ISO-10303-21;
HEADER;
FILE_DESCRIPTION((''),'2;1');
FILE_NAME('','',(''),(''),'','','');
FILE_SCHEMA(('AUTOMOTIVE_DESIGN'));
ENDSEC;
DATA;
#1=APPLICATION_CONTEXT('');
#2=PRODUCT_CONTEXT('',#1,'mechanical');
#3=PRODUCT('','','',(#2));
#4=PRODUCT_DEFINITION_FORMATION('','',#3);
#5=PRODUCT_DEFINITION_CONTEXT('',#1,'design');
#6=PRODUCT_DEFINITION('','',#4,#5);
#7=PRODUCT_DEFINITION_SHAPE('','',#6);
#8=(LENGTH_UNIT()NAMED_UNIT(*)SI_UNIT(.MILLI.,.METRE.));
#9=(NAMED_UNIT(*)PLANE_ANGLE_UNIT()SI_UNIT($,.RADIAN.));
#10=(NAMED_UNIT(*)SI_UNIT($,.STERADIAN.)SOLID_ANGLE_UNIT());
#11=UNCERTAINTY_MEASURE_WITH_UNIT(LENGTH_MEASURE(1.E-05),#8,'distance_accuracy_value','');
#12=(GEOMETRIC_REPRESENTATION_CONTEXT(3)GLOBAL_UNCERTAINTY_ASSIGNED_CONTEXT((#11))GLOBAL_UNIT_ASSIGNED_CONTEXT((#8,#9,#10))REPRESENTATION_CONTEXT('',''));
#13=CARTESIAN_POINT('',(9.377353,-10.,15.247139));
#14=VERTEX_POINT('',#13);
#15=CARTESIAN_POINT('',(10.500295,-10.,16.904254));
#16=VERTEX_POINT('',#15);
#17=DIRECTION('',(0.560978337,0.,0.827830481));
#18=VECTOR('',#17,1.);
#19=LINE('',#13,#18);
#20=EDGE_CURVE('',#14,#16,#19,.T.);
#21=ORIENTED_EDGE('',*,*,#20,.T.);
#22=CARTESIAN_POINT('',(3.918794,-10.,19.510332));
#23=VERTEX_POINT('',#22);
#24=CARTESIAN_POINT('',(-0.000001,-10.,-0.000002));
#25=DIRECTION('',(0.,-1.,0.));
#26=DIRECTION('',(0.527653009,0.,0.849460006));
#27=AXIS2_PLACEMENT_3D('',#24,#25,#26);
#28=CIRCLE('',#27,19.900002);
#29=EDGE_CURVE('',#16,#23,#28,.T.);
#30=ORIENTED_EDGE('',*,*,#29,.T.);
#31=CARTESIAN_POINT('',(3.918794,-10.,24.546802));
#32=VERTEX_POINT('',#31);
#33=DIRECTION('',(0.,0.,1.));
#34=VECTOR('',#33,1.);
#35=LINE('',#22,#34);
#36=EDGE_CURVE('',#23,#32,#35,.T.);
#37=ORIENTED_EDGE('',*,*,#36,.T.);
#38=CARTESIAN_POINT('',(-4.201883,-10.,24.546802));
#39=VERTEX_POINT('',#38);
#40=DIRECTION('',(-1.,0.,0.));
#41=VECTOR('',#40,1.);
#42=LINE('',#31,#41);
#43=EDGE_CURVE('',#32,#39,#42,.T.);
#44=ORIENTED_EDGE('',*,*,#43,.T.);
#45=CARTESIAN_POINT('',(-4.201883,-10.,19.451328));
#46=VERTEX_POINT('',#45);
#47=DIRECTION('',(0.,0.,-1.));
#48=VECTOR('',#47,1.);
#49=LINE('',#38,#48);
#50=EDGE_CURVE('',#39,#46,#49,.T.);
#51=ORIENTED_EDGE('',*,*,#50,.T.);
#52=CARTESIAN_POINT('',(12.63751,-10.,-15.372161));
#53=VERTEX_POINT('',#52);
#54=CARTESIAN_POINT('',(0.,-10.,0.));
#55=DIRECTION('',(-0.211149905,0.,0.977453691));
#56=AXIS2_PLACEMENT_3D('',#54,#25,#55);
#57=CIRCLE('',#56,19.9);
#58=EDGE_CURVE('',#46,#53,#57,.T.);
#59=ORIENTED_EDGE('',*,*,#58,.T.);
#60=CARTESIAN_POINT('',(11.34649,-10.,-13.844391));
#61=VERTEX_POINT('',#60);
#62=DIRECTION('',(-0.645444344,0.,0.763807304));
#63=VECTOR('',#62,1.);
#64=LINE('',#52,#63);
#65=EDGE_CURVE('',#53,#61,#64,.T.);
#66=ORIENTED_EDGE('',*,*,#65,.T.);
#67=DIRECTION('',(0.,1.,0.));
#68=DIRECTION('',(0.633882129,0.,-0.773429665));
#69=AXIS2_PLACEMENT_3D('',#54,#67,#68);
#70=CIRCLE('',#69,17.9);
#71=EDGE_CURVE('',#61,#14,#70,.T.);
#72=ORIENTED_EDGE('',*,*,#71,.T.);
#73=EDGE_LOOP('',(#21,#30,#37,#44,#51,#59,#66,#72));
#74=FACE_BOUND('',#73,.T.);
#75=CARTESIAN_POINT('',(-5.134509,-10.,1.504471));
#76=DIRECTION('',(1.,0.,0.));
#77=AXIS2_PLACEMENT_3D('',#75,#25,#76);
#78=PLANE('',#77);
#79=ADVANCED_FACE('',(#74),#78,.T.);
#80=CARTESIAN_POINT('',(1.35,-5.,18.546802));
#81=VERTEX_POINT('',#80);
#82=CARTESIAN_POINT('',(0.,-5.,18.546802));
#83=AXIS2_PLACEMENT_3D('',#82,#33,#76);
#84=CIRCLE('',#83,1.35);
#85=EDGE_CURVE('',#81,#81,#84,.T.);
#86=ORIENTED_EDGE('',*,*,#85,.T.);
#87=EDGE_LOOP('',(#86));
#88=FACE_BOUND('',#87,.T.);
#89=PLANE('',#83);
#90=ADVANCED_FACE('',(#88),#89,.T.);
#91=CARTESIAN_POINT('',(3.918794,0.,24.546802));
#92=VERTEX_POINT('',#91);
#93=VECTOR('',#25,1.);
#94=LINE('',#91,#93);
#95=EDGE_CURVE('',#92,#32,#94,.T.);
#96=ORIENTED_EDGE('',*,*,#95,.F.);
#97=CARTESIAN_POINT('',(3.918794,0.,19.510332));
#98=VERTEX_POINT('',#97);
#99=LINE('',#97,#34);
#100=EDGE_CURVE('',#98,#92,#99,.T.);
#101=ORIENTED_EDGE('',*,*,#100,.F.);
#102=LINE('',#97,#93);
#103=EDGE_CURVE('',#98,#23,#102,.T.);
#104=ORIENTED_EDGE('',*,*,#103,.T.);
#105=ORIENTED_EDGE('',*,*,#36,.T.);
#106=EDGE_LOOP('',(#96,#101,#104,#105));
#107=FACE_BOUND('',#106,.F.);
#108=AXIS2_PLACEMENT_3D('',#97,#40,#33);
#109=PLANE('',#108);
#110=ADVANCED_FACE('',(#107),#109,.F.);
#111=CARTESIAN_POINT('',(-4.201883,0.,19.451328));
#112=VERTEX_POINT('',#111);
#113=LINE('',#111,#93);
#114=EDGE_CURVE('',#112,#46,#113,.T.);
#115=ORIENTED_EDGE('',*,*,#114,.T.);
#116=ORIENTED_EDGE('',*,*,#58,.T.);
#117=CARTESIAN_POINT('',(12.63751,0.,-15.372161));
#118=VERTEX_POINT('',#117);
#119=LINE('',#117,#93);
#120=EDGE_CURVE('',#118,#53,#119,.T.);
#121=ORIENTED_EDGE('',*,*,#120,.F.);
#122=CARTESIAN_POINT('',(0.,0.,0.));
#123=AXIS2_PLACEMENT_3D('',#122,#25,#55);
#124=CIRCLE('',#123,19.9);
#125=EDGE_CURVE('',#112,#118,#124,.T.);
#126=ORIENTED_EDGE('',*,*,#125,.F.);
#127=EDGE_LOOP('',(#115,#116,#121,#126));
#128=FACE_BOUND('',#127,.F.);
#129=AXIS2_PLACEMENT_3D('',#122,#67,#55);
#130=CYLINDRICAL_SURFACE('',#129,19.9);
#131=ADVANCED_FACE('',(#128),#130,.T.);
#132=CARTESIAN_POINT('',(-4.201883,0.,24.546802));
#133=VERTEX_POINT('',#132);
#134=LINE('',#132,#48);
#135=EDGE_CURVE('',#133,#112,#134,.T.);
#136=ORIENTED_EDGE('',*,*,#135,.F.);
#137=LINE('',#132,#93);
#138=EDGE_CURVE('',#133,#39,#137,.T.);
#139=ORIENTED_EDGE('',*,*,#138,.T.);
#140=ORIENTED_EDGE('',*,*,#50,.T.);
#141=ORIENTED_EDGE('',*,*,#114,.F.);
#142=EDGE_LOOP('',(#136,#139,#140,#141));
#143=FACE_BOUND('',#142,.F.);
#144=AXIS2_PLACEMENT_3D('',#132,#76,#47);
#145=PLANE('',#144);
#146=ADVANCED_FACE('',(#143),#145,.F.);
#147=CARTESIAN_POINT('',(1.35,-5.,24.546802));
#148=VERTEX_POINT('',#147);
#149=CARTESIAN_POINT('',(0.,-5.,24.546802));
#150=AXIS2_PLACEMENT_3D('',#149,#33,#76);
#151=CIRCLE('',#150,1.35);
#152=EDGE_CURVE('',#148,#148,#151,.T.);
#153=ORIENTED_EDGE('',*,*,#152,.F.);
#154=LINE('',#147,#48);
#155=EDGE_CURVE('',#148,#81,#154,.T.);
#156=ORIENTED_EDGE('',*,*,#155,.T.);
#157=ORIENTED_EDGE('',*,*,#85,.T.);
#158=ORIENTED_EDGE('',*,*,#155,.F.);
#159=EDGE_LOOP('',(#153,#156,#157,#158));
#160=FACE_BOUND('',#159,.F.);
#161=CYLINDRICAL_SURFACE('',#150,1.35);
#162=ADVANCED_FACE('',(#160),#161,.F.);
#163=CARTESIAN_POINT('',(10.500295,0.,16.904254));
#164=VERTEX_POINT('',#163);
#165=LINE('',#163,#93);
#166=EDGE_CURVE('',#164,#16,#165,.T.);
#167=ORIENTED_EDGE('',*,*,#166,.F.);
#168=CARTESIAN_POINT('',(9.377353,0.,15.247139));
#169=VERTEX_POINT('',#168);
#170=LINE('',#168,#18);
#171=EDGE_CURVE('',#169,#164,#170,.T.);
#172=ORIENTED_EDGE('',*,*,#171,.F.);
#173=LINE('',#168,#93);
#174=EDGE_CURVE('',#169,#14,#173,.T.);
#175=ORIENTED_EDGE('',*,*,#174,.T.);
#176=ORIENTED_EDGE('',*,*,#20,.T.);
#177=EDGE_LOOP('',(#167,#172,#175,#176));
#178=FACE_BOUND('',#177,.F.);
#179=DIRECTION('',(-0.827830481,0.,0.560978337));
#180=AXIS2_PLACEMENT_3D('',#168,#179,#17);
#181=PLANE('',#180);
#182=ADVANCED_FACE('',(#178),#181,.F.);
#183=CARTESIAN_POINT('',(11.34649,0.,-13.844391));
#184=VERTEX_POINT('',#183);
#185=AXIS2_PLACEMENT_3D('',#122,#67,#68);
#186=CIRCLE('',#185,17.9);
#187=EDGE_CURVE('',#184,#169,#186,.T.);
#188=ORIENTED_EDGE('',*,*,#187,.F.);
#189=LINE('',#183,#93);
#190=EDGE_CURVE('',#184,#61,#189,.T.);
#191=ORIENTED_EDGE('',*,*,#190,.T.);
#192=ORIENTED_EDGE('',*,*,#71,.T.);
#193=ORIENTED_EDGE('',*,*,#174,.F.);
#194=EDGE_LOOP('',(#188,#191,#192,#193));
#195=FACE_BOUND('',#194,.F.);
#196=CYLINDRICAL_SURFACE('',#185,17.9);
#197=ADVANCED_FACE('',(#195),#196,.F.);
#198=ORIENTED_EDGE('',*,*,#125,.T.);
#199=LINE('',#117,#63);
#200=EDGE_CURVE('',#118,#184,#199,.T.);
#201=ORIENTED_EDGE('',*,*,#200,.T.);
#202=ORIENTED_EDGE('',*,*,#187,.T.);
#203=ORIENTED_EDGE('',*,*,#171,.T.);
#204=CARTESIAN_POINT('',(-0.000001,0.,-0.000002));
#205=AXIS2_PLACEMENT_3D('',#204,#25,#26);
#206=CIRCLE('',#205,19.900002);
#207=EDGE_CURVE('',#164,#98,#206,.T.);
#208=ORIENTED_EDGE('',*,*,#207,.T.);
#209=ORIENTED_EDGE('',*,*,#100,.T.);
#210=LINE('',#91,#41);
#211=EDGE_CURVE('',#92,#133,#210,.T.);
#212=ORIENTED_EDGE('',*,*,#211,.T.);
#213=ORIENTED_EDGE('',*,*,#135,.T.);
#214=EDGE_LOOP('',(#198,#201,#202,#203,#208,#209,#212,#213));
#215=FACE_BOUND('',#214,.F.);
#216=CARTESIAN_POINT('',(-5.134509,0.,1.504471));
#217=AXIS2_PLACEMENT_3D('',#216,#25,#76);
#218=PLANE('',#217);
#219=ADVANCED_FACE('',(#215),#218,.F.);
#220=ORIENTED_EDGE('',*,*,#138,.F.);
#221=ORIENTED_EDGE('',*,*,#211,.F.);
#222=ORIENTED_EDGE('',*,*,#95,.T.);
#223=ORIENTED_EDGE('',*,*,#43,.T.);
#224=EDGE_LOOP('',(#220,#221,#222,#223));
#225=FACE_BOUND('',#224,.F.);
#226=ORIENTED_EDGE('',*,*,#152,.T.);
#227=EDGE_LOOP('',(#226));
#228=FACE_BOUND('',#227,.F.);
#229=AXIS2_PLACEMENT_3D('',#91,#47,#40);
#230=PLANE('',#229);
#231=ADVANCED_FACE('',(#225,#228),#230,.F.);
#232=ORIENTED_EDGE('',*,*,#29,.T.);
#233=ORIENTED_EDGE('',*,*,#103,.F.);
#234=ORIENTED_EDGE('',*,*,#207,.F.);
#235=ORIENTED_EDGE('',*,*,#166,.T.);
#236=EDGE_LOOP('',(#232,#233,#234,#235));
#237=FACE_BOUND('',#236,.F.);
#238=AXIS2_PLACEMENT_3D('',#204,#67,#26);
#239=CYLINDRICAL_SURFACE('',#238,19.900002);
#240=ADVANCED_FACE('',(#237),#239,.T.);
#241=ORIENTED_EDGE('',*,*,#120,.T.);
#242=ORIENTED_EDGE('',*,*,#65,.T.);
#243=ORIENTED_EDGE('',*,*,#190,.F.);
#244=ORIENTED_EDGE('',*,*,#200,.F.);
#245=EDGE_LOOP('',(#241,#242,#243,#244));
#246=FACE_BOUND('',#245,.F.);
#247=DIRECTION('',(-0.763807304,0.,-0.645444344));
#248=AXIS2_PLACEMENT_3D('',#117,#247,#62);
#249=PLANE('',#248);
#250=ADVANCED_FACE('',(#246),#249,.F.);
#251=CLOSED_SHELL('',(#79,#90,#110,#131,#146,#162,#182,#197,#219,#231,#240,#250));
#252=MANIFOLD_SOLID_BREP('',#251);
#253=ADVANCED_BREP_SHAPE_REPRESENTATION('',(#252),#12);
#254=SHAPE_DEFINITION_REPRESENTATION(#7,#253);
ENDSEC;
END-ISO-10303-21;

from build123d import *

# Parameters (mm, degrees)
F1_DEPTH = 10
F2_R     = 1.35
F3_DEPTH = 6


with BuildPart() as f1:
    # F0 (on Front) → F1 (new body)
    with BuildSketch(Plane.XZ):
        with BuildLine():
            ThreePointArc((11.34649, -13.844391), (-17.859135, -1.208842), (9.377353, 15.247139))
            Line((9.377353, 15.247139), (10.500295, 16.904254))
            ThreePointArc((10.500295, 16.904254), (7.326353, 18.502285), (3.918794, 19.510332))
            Line((3.918794, 19.510332), (3.918794, 24.546802))
            Line((3.918794, 24.546802), (-4.201883, 24.546802))
            Line((-4.201883, 24.546802), (-4.201883, 19.451328))
            ThreePointArc((-4.201883, 19.451328), (-17.915323, -8.663209), (12.63751, -15.372161))
            Line((12.63751, -15.372161), (11.34649, -13.844391))
        make_face()
    extrude(amount=F1_DEPTH)

    # F2 (on face) → F3 (cut)
    with BuildSketch(Plane.XY.offset(24.546802)):
        with Locations((0, -5)):
            Circle(F2_R)
    extrude(amount=-F3_DEPTH, mode=Mode.SUBTRACT)


solid = f1.part
